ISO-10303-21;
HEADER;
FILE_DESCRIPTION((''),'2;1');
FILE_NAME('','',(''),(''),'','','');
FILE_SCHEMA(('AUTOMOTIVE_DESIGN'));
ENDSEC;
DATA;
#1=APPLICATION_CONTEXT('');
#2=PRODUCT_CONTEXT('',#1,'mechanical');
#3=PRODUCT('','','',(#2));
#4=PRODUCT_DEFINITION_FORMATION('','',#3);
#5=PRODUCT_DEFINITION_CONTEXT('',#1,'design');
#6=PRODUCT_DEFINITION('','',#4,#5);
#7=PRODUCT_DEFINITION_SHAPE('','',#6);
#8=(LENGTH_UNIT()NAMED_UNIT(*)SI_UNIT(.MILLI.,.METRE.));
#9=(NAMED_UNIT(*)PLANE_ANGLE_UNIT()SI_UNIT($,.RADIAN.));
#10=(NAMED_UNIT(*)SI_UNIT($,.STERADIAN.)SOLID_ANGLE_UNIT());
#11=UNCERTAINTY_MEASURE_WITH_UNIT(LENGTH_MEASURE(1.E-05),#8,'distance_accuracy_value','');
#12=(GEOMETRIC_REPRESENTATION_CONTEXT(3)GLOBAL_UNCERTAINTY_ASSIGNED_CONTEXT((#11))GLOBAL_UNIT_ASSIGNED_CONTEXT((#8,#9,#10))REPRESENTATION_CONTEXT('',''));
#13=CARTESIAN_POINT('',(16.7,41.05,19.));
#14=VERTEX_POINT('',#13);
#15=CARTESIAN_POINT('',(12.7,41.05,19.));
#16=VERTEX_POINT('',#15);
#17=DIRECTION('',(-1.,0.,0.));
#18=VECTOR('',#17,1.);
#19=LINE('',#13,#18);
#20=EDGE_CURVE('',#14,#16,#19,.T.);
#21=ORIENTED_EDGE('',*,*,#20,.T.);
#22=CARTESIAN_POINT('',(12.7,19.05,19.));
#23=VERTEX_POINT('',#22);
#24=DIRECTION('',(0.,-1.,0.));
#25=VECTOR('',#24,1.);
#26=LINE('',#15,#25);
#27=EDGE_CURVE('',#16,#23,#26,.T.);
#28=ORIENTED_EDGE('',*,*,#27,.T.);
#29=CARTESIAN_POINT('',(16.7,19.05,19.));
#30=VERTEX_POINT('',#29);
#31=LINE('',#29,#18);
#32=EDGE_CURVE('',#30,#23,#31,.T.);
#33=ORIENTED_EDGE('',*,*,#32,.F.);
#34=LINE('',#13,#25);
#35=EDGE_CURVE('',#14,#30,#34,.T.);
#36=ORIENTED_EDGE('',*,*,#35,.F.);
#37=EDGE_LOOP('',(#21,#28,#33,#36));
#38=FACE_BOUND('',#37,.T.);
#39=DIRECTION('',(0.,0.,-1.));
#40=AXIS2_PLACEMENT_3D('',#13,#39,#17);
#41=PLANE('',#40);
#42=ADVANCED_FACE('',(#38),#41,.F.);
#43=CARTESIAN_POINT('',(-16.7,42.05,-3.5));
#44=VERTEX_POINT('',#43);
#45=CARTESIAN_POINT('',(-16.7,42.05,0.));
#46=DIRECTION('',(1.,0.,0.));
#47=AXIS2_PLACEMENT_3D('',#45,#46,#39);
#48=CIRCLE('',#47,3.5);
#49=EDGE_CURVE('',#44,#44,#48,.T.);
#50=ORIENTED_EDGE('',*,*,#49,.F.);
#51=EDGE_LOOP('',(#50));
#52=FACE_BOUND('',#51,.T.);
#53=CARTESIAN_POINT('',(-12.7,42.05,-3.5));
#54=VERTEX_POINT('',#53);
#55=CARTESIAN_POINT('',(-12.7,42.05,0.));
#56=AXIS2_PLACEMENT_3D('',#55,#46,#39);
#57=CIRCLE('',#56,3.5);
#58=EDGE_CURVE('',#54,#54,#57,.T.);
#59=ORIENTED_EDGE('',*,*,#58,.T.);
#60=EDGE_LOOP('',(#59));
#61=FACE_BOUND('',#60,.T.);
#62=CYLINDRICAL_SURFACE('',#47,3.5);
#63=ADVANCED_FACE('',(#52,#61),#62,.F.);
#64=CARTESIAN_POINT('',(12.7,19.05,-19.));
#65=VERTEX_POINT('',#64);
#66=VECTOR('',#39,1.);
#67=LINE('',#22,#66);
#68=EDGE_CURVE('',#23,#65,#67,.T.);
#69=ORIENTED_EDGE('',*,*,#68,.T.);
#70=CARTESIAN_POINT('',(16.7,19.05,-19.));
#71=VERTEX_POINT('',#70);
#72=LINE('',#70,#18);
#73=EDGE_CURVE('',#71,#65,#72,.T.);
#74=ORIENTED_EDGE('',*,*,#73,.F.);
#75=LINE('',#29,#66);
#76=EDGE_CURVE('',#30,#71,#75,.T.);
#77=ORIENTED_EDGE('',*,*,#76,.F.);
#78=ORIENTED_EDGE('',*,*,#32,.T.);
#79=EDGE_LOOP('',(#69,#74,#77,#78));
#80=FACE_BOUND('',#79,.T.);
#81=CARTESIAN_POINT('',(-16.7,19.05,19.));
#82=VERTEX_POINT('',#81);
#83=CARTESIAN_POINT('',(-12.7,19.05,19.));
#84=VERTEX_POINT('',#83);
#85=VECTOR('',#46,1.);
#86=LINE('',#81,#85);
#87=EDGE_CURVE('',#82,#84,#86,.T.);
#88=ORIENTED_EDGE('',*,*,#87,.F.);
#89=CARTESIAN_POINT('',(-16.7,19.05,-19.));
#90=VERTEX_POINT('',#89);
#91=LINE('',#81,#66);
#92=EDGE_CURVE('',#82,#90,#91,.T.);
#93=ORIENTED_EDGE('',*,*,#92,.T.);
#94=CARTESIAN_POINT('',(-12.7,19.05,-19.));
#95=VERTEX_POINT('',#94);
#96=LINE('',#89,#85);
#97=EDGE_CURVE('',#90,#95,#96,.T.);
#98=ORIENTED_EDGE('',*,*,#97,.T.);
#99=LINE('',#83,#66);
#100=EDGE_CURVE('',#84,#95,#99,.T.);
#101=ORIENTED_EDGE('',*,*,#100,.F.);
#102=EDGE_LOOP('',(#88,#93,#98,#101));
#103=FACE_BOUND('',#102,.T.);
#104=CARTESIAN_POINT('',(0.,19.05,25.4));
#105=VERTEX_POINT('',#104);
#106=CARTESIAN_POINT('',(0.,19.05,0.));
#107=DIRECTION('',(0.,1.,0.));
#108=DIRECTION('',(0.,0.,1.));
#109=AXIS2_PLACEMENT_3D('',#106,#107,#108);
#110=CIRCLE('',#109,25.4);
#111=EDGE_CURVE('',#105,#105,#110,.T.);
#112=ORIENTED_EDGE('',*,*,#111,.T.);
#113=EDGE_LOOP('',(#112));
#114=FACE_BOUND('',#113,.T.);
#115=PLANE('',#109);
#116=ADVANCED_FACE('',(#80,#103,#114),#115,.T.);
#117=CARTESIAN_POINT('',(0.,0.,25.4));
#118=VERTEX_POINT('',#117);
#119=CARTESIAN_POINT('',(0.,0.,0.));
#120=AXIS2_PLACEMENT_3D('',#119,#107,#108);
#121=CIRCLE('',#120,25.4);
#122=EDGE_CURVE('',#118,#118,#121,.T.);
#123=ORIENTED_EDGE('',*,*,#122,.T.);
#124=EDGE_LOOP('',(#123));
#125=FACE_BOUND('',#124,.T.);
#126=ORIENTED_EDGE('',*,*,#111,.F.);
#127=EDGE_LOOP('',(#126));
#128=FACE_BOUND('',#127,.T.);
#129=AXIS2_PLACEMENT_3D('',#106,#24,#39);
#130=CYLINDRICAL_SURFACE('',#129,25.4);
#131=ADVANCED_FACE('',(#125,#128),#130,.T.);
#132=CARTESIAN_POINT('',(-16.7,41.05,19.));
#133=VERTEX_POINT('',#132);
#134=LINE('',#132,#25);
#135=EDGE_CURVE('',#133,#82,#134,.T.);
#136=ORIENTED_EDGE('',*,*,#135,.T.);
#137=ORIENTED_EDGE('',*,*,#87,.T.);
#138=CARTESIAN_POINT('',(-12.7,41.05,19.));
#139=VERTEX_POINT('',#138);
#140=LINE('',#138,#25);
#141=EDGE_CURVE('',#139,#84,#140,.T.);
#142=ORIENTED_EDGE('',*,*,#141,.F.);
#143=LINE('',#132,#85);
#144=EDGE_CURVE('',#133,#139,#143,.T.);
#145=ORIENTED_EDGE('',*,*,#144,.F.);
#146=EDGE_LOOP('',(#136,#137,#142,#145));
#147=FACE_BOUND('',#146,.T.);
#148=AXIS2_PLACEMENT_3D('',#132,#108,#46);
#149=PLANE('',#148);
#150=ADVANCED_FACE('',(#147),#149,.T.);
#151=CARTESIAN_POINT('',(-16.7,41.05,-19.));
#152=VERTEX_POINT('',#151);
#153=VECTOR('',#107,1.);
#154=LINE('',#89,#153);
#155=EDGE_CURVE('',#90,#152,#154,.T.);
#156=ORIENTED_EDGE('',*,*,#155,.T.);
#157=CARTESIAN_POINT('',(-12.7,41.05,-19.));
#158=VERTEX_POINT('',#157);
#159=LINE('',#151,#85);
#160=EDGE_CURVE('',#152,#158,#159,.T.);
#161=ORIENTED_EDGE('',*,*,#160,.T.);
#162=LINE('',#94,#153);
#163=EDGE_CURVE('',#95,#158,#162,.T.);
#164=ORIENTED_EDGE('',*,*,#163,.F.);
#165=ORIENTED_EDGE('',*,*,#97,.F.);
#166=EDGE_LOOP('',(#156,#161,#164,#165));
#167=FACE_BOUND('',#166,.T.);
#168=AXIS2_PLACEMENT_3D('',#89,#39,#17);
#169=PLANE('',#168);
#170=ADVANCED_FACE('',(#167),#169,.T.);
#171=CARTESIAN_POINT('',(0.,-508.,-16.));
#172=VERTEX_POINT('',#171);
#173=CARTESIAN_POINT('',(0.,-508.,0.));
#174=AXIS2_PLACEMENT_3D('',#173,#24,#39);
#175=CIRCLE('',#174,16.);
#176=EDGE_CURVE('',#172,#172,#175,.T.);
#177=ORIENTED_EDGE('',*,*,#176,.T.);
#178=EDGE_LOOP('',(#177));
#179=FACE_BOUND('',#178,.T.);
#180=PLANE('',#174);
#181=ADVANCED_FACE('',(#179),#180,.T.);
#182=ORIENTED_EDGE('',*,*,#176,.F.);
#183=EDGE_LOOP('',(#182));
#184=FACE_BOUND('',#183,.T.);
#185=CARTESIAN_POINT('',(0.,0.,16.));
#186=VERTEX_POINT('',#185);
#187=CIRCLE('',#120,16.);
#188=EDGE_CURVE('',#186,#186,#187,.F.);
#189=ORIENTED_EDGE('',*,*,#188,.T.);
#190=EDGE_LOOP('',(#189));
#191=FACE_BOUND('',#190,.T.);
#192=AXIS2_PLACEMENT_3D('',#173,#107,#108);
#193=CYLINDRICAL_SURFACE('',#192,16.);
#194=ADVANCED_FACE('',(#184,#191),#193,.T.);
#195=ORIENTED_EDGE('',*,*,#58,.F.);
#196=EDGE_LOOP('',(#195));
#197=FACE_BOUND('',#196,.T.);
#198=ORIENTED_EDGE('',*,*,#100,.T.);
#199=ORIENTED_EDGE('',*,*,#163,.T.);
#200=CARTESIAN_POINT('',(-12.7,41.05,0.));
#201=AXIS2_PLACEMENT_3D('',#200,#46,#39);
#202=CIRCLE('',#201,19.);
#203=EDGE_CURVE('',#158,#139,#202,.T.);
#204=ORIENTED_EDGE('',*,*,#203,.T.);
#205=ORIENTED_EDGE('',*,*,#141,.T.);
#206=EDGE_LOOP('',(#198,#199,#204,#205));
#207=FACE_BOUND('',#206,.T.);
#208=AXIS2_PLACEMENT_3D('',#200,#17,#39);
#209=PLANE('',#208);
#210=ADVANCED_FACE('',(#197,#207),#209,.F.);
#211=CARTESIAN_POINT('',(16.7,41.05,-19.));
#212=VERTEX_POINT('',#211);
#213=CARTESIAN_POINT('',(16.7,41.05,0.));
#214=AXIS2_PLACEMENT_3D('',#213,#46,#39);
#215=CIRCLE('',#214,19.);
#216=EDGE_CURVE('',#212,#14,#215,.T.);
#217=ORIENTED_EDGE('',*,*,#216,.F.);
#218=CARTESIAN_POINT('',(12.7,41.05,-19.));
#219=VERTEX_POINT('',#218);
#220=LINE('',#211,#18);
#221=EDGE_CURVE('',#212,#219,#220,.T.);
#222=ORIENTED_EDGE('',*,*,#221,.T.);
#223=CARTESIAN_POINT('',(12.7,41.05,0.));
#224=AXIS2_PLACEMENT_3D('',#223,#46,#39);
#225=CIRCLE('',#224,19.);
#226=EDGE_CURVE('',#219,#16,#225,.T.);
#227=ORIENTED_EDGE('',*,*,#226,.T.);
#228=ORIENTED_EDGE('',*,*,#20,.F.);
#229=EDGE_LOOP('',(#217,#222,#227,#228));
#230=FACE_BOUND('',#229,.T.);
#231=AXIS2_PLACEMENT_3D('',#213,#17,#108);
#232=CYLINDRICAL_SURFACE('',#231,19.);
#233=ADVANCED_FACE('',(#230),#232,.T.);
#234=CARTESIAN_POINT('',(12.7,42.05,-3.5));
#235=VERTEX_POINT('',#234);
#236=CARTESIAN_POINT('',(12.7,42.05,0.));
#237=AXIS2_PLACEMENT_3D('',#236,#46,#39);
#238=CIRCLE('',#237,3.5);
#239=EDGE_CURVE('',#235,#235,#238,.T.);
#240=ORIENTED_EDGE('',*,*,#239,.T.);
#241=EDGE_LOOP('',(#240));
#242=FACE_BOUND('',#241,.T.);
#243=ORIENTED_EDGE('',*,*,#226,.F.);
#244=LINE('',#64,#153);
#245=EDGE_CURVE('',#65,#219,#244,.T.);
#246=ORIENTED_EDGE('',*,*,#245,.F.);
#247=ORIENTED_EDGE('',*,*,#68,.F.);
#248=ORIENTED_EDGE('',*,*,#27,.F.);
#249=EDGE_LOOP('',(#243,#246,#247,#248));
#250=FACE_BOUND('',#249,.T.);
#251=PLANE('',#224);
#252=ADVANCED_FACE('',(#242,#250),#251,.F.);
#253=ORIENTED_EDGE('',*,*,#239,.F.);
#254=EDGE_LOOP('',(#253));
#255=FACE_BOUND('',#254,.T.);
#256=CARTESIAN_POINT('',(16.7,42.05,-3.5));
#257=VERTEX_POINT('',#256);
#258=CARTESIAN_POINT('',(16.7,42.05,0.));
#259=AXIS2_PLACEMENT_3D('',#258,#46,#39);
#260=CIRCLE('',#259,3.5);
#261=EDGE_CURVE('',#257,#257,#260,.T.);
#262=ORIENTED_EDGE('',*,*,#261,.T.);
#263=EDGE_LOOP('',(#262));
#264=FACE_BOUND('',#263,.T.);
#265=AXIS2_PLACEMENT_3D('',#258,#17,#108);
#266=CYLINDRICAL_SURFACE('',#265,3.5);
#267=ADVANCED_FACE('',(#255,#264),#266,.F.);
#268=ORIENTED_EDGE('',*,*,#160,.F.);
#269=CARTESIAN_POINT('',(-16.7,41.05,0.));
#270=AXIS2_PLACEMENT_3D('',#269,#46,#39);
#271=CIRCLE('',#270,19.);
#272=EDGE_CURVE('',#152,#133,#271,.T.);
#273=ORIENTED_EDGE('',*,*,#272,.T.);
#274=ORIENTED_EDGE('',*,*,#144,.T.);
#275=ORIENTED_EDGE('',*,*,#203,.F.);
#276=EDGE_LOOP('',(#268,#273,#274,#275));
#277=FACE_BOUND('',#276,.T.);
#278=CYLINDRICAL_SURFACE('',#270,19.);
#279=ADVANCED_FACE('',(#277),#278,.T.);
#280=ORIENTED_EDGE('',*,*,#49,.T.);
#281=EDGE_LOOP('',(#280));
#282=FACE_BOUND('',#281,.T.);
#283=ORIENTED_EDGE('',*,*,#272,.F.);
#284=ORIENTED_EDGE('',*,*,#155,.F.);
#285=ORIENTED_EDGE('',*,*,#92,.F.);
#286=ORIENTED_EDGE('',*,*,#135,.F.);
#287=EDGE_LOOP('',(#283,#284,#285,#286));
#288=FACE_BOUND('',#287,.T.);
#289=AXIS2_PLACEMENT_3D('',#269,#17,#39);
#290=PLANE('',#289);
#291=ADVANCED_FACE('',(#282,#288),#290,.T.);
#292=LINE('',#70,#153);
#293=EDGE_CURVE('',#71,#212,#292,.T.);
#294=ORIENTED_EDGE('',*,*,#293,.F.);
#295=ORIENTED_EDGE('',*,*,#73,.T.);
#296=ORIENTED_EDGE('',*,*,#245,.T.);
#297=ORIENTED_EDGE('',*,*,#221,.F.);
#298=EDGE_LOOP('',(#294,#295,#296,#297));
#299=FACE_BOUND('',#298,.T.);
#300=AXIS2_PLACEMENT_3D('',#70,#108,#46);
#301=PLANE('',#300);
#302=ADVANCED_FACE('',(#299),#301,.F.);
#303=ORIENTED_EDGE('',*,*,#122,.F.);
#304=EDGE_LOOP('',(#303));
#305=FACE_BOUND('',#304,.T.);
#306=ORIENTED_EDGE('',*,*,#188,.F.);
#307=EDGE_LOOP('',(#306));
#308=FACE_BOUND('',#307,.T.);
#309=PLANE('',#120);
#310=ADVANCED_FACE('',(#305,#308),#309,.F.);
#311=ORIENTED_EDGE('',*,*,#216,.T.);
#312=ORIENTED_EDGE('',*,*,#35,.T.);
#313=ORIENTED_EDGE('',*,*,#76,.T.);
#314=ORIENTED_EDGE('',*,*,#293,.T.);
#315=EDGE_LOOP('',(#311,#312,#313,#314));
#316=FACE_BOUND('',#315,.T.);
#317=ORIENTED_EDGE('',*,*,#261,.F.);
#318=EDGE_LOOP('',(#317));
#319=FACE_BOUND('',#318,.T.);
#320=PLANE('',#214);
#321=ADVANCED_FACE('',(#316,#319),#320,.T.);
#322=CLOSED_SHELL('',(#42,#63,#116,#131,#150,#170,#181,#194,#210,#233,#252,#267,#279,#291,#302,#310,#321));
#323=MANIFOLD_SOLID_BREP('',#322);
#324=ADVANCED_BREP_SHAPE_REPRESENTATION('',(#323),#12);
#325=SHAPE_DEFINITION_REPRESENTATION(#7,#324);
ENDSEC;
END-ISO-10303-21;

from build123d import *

# Parameters (mm, degrees)
SKETCH1_R           = 25.4
BOSS_EXTRUDE1_DEPTH = 19.05
SKETCH2_R           = 3.5
BOSS_EXTRUDE2_DEPTH = 4
SKETCH3_R           = 16
BOSS_EXTRUDE3_DEPTH = 508


with BuildPart() as part:
    # Sketch1 → Boss-Extrude1 (new body)
    with BuildSketch(Plane(origin=(0, 0, 0), x_dir=(1, 0, 0), z_dir=(0, 1, 0))):
        Circle(SKETCH1_R)
    extrude(amount=BOSS_EXTRUDE1_DEPTH)

    # Sketch2 → Boss-Extrude2 (add)
    with BuildSketch(Plane(origin=(12.7, 0, 0), x_dir=(0, 0, -1), z_dir=(1, 0, 0))):
        with BuildLine():
            Line((-19, 19.05), (19, 19.05))
            Line((19, 19.05), (19, 41.05))
            ThreePointArc((19, 41.05), (0, 60.05), (-19, 41.05))
            Line((-19, 41.05), (-19, 19.05))
        make_face()
        with Locations((0, 42.05)):
            Circle(SKETCH2_R, mode=Mode.SUBTRACT)
    boss_extrude2 = extrude(amount=BOSS_EXTRUDE2_DEPTH)

    # Mirror1: Boss-Extrude2 across plane
    add(boss_extrude2.mirror(Plane(origin=(0, 0, 0), x_dir=(0, 0, 1), z_dir=(1, 0, 0))))

    # Sketch3 → Boss-Extrude3 (add)
    with BuildSketch(Plane.XZ):
        Circle(SKETCH3_R)
    extrude(amount=BOSS_EXTRUDE3_DEPTH)


solid = part.part
